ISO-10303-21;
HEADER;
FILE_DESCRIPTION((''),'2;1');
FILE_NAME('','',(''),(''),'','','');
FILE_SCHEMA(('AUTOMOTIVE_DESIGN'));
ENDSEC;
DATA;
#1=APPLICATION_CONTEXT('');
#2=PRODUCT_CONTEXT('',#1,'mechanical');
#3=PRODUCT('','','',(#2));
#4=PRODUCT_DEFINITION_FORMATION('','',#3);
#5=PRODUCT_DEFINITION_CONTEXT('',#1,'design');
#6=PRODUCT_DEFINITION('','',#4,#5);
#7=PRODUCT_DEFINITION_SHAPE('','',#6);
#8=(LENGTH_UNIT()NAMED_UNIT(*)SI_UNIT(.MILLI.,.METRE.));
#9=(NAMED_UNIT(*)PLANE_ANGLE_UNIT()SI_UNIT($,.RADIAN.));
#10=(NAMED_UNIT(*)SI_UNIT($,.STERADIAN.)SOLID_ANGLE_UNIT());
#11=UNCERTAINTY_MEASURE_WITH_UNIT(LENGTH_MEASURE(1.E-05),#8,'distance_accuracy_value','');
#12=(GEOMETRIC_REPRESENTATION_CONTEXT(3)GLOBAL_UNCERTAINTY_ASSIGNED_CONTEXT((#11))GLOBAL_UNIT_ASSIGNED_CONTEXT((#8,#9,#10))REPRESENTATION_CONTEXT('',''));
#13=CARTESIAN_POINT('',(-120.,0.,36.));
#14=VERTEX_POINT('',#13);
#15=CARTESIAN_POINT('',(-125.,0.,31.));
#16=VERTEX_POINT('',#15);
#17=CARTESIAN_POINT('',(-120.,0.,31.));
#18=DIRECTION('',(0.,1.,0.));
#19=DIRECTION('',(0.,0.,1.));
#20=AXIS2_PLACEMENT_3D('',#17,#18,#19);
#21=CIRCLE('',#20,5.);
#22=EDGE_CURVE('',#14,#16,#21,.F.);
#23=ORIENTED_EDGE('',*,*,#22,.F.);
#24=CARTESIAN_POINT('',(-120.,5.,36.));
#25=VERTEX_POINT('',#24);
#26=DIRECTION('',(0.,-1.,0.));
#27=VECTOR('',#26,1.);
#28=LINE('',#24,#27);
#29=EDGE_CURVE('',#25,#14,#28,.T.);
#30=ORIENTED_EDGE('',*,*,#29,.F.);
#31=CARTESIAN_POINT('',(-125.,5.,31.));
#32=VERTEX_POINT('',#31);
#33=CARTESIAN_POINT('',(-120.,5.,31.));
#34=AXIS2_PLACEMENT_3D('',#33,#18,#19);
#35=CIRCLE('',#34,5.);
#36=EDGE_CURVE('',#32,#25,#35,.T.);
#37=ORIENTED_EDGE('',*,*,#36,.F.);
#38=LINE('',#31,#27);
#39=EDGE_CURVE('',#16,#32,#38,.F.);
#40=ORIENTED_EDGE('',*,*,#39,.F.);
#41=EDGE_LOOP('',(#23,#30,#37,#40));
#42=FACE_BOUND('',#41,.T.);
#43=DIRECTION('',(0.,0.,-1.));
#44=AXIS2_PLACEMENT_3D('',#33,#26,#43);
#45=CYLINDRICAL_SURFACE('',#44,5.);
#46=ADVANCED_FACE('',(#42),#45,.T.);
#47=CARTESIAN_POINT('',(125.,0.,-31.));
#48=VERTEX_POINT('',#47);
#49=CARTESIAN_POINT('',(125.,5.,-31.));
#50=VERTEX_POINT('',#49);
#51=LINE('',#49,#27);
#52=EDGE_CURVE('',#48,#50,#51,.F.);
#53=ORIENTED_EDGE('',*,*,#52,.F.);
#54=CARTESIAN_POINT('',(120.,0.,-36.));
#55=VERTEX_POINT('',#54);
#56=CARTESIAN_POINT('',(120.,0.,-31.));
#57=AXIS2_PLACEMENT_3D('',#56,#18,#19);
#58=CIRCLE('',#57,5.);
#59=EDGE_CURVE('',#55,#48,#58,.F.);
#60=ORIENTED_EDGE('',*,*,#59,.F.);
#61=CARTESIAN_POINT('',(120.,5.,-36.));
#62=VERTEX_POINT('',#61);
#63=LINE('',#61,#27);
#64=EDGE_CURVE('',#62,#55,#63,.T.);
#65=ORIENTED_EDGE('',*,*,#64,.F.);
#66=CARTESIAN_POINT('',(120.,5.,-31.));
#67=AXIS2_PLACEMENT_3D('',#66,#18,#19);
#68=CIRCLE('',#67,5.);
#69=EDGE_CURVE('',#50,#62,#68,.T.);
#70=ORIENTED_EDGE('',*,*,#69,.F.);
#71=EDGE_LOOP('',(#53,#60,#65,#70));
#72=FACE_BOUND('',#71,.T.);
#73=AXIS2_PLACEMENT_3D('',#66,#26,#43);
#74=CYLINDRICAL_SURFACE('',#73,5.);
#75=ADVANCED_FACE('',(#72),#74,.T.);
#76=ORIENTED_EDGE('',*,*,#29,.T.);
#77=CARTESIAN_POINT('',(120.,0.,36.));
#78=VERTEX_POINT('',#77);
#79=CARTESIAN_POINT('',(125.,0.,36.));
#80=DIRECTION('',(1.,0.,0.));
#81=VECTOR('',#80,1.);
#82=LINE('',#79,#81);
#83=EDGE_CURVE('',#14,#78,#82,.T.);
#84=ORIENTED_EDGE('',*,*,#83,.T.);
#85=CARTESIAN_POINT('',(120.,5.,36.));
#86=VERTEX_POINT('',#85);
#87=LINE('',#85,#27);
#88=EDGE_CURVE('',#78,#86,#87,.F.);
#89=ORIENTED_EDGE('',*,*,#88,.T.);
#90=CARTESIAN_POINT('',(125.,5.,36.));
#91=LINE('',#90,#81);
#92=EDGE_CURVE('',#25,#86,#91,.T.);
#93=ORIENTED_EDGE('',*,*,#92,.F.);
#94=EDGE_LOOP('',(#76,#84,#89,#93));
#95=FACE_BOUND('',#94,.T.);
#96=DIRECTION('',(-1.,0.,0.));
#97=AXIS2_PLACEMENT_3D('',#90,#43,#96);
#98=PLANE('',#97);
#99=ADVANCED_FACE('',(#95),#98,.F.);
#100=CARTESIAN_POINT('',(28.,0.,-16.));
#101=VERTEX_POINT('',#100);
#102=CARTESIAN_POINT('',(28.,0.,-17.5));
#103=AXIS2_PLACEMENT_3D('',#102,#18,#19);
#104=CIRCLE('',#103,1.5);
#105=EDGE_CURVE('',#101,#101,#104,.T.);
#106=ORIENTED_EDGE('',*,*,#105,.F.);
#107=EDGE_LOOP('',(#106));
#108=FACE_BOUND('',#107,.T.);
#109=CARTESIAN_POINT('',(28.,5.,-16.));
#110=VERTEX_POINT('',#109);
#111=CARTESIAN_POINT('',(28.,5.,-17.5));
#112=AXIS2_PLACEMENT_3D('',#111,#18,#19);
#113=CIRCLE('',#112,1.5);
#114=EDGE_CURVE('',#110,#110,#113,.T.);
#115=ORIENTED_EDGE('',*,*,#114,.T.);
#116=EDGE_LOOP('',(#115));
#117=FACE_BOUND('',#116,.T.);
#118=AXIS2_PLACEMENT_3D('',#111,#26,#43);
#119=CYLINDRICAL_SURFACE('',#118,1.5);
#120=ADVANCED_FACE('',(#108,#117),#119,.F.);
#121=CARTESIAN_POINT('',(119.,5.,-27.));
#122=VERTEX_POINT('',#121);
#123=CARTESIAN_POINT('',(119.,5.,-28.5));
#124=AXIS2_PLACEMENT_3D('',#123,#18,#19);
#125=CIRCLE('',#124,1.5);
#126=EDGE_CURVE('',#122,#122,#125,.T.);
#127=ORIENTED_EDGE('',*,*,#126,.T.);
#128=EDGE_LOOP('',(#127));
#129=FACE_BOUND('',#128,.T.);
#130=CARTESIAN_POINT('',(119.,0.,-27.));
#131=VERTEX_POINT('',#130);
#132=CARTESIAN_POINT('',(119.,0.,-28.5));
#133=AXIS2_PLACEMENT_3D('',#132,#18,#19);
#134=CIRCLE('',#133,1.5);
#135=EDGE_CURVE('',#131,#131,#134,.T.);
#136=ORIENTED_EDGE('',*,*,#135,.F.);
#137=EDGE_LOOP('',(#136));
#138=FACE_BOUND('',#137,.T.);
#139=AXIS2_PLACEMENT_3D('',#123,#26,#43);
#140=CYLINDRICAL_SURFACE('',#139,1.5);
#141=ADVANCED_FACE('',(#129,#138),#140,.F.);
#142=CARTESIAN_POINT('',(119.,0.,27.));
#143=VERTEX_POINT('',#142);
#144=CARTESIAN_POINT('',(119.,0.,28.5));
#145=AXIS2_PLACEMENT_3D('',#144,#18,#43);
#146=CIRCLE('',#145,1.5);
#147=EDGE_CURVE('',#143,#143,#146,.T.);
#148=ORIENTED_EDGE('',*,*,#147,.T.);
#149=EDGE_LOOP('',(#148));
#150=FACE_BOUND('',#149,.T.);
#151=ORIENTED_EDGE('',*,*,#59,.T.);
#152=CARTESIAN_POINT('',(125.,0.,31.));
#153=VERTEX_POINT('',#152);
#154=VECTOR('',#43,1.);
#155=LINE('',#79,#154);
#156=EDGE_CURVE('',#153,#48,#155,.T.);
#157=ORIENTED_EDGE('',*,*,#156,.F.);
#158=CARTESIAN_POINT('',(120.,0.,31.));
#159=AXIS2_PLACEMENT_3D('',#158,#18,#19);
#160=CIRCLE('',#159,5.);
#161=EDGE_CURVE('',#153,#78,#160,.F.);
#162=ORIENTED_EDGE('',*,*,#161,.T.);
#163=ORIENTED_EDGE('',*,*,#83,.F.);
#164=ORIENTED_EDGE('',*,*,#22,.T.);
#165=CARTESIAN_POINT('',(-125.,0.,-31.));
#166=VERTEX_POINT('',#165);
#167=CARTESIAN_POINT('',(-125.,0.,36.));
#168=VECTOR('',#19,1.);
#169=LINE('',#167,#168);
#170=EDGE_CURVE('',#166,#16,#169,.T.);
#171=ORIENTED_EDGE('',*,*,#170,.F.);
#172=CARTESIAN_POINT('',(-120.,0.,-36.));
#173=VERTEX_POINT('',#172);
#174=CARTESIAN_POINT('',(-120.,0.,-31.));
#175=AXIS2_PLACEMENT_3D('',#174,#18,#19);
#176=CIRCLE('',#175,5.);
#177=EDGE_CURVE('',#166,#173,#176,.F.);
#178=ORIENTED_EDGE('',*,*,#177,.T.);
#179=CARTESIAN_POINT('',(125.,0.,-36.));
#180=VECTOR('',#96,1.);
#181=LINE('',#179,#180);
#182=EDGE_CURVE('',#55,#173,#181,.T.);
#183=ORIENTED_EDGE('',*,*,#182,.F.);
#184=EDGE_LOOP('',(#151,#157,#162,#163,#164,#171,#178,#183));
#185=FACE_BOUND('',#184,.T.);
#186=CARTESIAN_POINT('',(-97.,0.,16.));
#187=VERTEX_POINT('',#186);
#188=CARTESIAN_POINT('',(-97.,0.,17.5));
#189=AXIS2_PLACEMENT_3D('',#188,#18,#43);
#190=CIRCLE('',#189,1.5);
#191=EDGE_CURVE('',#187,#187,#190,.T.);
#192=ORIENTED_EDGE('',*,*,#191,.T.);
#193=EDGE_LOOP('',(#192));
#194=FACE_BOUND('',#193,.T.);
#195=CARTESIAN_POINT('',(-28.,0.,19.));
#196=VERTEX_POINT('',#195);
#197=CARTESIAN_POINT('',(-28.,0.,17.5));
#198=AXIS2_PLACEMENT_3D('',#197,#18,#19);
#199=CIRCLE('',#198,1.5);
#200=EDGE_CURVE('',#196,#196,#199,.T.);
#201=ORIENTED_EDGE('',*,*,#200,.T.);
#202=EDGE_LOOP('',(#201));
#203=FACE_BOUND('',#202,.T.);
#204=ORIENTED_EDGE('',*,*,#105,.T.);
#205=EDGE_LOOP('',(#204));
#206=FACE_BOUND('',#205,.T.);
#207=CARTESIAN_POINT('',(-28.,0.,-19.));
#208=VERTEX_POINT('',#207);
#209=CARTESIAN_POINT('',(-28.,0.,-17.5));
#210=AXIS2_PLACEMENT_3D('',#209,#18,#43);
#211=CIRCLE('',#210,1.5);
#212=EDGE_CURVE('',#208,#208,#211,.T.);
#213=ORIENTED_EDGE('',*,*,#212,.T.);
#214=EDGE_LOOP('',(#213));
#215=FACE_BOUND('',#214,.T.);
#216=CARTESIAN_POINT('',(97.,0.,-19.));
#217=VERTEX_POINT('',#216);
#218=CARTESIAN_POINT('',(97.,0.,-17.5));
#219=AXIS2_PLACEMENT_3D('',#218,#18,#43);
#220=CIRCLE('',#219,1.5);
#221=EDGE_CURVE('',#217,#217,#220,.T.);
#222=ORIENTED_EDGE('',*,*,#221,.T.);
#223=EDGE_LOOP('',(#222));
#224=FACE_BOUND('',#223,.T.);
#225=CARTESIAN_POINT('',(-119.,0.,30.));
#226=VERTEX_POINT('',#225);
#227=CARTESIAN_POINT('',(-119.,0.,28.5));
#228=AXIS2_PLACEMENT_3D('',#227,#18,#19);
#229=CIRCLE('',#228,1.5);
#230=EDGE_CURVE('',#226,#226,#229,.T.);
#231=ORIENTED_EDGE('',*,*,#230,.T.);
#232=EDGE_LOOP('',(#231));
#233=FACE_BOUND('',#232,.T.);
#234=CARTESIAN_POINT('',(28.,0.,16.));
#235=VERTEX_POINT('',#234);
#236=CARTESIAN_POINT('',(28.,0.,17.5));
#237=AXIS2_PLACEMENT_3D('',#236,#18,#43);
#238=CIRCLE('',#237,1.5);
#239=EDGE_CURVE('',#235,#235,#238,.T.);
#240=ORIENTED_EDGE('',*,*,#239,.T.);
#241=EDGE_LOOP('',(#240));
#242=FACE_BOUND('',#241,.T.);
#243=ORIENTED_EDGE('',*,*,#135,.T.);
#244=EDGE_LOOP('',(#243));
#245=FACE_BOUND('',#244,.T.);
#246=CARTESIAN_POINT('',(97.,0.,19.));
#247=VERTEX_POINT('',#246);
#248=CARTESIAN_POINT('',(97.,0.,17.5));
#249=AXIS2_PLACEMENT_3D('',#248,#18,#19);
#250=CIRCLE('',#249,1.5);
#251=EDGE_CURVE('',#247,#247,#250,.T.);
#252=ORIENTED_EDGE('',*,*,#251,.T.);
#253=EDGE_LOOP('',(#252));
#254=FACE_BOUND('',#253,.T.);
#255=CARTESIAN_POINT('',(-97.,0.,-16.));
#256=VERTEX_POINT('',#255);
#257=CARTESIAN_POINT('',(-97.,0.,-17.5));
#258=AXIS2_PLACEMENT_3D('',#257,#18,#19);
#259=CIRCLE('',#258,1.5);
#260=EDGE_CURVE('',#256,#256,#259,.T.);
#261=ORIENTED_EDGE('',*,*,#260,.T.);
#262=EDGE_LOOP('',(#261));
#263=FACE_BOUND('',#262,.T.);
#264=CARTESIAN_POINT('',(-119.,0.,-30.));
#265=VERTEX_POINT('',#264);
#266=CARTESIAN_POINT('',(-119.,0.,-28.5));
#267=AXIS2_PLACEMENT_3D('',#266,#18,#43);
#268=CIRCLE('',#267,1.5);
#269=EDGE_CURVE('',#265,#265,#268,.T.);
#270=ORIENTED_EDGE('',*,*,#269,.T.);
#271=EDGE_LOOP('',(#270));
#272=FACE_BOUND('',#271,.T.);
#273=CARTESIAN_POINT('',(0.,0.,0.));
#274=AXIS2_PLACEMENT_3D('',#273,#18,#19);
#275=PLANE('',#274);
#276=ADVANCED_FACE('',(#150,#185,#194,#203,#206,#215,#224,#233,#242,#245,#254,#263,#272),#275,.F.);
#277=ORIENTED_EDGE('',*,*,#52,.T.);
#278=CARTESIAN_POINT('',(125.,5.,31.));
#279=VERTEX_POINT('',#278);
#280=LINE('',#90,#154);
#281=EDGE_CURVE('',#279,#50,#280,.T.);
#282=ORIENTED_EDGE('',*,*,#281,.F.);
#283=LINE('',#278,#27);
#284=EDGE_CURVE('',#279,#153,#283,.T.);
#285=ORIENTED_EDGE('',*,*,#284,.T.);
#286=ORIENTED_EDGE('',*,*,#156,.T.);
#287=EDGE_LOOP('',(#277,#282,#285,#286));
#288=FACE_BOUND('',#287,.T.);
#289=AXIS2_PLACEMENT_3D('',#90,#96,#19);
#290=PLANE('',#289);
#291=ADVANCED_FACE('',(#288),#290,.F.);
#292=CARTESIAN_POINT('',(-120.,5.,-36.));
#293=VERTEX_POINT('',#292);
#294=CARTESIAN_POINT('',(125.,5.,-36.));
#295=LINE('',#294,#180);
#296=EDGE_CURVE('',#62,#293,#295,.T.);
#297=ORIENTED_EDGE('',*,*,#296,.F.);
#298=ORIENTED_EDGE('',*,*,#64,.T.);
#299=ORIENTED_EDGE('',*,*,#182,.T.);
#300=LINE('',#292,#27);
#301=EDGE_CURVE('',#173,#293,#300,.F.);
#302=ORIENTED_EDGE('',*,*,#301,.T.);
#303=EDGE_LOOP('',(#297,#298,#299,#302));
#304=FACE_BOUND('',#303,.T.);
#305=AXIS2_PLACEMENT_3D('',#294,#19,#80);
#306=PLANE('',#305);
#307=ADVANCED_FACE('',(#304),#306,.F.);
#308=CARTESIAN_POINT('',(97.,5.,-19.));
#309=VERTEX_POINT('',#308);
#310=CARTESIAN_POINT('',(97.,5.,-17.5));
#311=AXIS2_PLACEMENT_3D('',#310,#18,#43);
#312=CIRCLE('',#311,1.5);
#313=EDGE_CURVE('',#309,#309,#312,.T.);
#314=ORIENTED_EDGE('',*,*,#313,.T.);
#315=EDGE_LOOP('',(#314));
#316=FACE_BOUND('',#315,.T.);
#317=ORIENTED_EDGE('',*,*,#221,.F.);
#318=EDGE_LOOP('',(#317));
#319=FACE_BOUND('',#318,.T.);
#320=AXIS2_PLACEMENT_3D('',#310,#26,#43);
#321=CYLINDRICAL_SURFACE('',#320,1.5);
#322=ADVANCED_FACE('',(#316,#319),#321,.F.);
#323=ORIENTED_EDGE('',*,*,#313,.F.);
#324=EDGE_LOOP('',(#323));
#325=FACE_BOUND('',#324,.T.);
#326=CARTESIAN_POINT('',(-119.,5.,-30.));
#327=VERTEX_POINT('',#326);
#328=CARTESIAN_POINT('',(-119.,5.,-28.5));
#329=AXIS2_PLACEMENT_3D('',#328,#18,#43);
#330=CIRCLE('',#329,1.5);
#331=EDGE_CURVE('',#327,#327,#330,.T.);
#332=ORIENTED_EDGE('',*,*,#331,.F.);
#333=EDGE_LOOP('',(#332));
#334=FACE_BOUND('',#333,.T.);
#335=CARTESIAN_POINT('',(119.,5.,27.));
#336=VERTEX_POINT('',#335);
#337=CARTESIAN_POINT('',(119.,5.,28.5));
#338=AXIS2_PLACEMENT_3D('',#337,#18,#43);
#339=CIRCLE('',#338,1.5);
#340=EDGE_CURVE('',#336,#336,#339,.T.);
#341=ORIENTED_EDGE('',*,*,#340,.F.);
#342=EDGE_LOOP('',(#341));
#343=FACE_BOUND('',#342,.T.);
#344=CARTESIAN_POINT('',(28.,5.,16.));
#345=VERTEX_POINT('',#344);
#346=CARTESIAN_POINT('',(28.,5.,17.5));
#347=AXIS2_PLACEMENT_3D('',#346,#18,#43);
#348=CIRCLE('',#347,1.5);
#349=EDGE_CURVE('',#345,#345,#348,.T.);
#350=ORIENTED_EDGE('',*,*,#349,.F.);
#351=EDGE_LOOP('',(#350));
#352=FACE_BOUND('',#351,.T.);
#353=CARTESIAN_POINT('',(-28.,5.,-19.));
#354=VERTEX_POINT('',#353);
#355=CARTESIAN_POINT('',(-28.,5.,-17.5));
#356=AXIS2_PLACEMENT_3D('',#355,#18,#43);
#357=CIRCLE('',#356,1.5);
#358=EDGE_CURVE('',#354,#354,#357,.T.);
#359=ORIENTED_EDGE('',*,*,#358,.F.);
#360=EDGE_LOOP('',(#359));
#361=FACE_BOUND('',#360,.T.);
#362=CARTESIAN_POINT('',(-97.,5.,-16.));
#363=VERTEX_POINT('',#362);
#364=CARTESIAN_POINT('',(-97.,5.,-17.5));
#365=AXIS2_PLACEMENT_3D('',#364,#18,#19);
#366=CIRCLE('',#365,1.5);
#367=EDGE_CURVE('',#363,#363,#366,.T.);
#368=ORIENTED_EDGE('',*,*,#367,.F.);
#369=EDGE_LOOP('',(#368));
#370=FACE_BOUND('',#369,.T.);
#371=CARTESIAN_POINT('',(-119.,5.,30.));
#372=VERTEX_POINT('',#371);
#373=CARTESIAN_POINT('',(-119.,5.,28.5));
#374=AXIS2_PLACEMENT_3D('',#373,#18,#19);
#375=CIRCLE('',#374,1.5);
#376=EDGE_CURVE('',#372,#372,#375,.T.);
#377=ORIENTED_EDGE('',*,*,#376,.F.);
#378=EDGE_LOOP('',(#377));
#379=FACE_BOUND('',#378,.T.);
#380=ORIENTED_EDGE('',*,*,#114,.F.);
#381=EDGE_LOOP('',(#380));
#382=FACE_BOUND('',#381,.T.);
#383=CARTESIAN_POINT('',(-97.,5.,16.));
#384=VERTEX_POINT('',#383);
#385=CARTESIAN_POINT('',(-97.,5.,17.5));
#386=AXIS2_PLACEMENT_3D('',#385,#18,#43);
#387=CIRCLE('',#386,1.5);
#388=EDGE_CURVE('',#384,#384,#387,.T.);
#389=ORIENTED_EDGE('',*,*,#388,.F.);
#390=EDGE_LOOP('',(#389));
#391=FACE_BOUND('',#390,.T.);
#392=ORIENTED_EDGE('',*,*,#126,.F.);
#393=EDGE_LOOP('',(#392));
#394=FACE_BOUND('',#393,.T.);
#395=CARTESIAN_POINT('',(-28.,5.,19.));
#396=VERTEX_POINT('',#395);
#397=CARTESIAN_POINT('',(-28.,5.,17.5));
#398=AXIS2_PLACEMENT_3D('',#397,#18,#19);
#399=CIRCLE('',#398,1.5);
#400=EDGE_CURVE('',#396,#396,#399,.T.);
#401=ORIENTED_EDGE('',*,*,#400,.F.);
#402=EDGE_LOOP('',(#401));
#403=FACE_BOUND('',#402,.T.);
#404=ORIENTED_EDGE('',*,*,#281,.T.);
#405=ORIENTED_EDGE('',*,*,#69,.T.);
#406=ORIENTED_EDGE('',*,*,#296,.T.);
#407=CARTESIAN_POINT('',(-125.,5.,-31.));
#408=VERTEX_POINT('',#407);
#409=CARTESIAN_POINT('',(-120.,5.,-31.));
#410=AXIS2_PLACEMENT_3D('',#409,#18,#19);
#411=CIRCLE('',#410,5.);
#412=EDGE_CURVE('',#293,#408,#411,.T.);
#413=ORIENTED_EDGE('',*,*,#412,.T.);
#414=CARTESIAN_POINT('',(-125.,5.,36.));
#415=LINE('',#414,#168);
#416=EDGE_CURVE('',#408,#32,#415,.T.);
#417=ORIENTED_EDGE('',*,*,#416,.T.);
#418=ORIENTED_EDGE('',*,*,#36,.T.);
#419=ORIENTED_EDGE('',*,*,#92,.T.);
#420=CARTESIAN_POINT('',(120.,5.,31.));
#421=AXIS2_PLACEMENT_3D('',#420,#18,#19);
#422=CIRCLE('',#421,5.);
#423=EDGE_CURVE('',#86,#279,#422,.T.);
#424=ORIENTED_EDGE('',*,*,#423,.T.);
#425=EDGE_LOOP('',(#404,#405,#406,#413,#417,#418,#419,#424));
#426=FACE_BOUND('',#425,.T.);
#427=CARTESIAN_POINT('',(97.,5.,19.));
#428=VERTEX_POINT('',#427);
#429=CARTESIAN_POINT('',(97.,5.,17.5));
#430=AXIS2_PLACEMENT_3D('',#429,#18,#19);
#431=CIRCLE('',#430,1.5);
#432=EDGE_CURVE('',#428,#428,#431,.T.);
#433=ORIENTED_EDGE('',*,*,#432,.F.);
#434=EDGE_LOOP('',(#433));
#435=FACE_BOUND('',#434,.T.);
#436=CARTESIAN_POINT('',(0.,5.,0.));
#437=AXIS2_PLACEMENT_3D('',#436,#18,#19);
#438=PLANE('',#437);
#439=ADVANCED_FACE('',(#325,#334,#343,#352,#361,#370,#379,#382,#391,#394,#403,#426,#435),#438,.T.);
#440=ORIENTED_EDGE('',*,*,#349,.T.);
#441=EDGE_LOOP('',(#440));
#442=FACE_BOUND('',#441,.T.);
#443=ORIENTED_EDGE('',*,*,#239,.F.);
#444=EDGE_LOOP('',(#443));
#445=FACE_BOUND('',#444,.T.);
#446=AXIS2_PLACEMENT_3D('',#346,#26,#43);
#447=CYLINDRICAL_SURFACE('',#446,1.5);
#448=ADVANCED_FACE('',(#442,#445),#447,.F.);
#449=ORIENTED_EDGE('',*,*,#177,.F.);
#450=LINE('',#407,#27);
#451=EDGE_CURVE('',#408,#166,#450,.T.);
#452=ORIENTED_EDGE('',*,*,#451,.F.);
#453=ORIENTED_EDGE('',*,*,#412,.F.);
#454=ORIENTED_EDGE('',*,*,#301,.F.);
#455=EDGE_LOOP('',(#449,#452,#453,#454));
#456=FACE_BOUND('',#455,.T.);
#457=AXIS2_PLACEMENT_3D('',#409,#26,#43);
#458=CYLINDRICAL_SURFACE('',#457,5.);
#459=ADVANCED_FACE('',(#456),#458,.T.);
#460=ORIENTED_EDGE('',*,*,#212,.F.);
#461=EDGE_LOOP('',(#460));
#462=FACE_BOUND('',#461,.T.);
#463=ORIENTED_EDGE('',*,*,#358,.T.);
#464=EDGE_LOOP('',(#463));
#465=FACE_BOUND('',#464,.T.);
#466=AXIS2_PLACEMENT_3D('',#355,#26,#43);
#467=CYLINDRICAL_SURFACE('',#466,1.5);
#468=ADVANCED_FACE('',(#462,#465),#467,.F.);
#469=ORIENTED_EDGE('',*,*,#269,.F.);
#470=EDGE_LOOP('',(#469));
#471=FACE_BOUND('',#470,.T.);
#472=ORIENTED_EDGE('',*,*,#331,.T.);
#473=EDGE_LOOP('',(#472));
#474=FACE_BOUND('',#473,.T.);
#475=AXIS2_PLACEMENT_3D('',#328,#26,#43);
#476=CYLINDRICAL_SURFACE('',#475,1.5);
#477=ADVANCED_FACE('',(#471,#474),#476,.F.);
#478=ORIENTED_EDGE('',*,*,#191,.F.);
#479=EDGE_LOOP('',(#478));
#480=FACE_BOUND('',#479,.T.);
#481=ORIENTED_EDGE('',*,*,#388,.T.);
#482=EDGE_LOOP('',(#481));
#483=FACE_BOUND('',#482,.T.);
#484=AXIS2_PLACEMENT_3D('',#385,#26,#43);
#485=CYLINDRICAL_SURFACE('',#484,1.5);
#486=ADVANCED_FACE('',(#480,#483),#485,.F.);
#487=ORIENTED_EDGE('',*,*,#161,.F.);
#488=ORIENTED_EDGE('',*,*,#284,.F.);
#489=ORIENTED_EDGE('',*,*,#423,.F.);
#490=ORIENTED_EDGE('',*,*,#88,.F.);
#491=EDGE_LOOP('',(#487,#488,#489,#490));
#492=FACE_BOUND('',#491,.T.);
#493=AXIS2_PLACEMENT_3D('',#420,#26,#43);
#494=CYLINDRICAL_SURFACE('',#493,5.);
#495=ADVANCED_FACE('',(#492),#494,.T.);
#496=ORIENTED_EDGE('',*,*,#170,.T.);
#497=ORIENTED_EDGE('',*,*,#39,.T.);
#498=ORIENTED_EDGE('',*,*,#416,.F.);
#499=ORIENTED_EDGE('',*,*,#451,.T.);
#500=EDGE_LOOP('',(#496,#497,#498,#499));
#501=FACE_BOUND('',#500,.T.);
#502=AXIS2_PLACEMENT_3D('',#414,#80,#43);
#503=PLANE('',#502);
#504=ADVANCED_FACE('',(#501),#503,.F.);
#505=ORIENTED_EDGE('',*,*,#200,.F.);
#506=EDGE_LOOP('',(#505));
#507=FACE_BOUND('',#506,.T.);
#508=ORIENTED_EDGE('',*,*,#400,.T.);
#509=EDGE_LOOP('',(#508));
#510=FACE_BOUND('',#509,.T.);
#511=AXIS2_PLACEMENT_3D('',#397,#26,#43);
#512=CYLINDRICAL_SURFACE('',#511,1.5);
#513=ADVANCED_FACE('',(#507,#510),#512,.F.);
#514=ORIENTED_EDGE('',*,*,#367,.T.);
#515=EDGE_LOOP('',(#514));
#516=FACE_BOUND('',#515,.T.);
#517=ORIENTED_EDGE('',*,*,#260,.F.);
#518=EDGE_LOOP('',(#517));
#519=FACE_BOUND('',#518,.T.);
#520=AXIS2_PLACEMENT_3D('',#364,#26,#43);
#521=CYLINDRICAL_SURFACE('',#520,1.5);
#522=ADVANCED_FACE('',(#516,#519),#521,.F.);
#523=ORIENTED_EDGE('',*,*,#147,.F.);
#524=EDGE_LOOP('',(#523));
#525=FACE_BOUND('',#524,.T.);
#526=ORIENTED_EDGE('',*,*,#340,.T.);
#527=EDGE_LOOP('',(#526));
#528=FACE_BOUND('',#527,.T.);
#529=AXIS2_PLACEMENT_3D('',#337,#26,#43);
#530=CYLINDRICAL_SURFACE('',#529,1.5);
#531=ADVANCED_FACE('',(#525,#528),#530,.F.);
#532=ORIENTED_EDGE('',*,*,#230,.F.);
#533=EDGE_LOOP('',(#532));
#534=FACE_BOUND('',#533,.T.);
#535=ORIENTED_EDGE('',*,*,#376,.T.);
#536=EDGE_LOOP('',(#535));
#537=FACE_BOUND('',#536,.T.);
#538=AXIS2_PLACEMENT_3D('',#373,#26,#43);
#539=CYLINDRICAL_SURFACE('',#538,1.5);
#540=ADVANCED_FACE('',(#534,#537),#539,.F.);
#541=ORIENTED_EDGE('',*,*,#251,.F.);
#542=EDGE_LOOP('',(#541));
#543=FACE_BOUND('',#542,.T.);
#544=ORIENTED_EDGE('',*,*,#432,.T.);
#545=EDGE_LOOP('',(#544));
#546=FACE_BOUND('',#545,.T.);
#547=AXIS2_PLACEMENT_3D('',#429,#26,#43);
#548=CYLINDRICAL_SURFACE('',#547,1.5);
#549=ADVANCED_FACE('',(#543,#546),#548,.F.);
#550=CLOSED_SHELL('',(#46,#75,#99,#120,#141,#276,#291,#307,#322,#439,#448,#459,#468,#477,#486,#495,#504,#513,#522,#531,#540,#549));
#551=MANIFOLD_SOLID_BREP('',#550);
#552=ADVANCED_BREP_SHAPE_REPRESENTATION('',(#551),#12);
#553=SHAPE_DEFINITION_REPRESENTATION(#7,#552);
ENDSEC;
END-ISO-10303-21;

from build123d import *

# Parameters (mm, degrees)
SKETCH1_W           = 250
SKETCH1_H           = 72
SKETCH1_R           = 1.5
BOSS_EXTRUDE1_DEPTH = 5
FILLET1_R           = 5


with BuildPart() as part:
    # Sketch1 → Boss-Extrude1 (new body)
    with BuildSketch(Plane(origin=(0, 0, 0), x_dir=(1, 0, 0), z_dir=(0, 1, 0))):
        Rectangle(SKETCH1_W, SKETCH1_H)
        with Locations(Location((-119, -28.5, 0), (0, 0, 270))):
            Circle(SKETCH1_R, mode=Mode.SUBTRACT)
        with Locations(Location((119, -28.5, 0), (0, 0, 90))):
            Circle(SKETCH1_R, mode=Mode.SUBTRACT)
        with Locations(Location((119, 28.5, 0), (0, 0, 270))):
            Circle(SKETCH1_R, mode=Mode.SUBTRACT)
        with Locations(Location((-119, 28.5, 0), (0, 0, 90))):
            Circle(SKETCH1_R, mode=Mode.SUBTRACT)
        with Locations(Location((-97, 17.5, 0), (0, 0, 270))):
            Circle(SKETCH1_R, mode=Mode.SUBTRACT)
        with Locations(Location((-97, -17.5, 0), (0, 0, 90))):
            Circle(SKETCH1_R, mode=Mode.SUBTRACT)
        with Locations(Location((-28, 17.5, 0), (0, 0, 90))):
            Circle(SKETCH1_R, mode=Mode.SUBTRACT)
        with Locations(Location((-28, -17.5, 0), (0, 0, 270))):
            Circle(SKETCH1_R, mode=Mode.SUBTRACT)
        with Locations(Location((97, 17.5, 0), (0, 0, 90))):
            Circle(SKETCH1_R, mode=Mode.SUBTRACT)
        with Locations(Location((97, -17.5, 0), (0, 0, 270))):
            Circle(SKETCH1_R, mode=Mode.SUBTRACT)
        with Locations(Location((28, -17.5, 0), (0, 0, 90))):
            Circle(SKETCH1_R, mode=Mode.SUBTRACT)
        with Locations(Location((28, 17.5, 0), (0, 0, 270))):
            Circle(SKETCH1_R, mode=Mode.SUBTRACT)
    extrude(amount=BOSS_EXTRUDE1_DEPTH)

    # Fillet1
    fillet1_edges = [part.edges().sort_by_distance(p)[0] for p in [
        (-125, 2.5, -36),
        (125, 2.5, -36),
        (125, 2.5, 36),
        (-125, 2.5, 36),
    ]]
    fillet(fillet1_edges, radius=FILLET1_R)


solid = part.part
